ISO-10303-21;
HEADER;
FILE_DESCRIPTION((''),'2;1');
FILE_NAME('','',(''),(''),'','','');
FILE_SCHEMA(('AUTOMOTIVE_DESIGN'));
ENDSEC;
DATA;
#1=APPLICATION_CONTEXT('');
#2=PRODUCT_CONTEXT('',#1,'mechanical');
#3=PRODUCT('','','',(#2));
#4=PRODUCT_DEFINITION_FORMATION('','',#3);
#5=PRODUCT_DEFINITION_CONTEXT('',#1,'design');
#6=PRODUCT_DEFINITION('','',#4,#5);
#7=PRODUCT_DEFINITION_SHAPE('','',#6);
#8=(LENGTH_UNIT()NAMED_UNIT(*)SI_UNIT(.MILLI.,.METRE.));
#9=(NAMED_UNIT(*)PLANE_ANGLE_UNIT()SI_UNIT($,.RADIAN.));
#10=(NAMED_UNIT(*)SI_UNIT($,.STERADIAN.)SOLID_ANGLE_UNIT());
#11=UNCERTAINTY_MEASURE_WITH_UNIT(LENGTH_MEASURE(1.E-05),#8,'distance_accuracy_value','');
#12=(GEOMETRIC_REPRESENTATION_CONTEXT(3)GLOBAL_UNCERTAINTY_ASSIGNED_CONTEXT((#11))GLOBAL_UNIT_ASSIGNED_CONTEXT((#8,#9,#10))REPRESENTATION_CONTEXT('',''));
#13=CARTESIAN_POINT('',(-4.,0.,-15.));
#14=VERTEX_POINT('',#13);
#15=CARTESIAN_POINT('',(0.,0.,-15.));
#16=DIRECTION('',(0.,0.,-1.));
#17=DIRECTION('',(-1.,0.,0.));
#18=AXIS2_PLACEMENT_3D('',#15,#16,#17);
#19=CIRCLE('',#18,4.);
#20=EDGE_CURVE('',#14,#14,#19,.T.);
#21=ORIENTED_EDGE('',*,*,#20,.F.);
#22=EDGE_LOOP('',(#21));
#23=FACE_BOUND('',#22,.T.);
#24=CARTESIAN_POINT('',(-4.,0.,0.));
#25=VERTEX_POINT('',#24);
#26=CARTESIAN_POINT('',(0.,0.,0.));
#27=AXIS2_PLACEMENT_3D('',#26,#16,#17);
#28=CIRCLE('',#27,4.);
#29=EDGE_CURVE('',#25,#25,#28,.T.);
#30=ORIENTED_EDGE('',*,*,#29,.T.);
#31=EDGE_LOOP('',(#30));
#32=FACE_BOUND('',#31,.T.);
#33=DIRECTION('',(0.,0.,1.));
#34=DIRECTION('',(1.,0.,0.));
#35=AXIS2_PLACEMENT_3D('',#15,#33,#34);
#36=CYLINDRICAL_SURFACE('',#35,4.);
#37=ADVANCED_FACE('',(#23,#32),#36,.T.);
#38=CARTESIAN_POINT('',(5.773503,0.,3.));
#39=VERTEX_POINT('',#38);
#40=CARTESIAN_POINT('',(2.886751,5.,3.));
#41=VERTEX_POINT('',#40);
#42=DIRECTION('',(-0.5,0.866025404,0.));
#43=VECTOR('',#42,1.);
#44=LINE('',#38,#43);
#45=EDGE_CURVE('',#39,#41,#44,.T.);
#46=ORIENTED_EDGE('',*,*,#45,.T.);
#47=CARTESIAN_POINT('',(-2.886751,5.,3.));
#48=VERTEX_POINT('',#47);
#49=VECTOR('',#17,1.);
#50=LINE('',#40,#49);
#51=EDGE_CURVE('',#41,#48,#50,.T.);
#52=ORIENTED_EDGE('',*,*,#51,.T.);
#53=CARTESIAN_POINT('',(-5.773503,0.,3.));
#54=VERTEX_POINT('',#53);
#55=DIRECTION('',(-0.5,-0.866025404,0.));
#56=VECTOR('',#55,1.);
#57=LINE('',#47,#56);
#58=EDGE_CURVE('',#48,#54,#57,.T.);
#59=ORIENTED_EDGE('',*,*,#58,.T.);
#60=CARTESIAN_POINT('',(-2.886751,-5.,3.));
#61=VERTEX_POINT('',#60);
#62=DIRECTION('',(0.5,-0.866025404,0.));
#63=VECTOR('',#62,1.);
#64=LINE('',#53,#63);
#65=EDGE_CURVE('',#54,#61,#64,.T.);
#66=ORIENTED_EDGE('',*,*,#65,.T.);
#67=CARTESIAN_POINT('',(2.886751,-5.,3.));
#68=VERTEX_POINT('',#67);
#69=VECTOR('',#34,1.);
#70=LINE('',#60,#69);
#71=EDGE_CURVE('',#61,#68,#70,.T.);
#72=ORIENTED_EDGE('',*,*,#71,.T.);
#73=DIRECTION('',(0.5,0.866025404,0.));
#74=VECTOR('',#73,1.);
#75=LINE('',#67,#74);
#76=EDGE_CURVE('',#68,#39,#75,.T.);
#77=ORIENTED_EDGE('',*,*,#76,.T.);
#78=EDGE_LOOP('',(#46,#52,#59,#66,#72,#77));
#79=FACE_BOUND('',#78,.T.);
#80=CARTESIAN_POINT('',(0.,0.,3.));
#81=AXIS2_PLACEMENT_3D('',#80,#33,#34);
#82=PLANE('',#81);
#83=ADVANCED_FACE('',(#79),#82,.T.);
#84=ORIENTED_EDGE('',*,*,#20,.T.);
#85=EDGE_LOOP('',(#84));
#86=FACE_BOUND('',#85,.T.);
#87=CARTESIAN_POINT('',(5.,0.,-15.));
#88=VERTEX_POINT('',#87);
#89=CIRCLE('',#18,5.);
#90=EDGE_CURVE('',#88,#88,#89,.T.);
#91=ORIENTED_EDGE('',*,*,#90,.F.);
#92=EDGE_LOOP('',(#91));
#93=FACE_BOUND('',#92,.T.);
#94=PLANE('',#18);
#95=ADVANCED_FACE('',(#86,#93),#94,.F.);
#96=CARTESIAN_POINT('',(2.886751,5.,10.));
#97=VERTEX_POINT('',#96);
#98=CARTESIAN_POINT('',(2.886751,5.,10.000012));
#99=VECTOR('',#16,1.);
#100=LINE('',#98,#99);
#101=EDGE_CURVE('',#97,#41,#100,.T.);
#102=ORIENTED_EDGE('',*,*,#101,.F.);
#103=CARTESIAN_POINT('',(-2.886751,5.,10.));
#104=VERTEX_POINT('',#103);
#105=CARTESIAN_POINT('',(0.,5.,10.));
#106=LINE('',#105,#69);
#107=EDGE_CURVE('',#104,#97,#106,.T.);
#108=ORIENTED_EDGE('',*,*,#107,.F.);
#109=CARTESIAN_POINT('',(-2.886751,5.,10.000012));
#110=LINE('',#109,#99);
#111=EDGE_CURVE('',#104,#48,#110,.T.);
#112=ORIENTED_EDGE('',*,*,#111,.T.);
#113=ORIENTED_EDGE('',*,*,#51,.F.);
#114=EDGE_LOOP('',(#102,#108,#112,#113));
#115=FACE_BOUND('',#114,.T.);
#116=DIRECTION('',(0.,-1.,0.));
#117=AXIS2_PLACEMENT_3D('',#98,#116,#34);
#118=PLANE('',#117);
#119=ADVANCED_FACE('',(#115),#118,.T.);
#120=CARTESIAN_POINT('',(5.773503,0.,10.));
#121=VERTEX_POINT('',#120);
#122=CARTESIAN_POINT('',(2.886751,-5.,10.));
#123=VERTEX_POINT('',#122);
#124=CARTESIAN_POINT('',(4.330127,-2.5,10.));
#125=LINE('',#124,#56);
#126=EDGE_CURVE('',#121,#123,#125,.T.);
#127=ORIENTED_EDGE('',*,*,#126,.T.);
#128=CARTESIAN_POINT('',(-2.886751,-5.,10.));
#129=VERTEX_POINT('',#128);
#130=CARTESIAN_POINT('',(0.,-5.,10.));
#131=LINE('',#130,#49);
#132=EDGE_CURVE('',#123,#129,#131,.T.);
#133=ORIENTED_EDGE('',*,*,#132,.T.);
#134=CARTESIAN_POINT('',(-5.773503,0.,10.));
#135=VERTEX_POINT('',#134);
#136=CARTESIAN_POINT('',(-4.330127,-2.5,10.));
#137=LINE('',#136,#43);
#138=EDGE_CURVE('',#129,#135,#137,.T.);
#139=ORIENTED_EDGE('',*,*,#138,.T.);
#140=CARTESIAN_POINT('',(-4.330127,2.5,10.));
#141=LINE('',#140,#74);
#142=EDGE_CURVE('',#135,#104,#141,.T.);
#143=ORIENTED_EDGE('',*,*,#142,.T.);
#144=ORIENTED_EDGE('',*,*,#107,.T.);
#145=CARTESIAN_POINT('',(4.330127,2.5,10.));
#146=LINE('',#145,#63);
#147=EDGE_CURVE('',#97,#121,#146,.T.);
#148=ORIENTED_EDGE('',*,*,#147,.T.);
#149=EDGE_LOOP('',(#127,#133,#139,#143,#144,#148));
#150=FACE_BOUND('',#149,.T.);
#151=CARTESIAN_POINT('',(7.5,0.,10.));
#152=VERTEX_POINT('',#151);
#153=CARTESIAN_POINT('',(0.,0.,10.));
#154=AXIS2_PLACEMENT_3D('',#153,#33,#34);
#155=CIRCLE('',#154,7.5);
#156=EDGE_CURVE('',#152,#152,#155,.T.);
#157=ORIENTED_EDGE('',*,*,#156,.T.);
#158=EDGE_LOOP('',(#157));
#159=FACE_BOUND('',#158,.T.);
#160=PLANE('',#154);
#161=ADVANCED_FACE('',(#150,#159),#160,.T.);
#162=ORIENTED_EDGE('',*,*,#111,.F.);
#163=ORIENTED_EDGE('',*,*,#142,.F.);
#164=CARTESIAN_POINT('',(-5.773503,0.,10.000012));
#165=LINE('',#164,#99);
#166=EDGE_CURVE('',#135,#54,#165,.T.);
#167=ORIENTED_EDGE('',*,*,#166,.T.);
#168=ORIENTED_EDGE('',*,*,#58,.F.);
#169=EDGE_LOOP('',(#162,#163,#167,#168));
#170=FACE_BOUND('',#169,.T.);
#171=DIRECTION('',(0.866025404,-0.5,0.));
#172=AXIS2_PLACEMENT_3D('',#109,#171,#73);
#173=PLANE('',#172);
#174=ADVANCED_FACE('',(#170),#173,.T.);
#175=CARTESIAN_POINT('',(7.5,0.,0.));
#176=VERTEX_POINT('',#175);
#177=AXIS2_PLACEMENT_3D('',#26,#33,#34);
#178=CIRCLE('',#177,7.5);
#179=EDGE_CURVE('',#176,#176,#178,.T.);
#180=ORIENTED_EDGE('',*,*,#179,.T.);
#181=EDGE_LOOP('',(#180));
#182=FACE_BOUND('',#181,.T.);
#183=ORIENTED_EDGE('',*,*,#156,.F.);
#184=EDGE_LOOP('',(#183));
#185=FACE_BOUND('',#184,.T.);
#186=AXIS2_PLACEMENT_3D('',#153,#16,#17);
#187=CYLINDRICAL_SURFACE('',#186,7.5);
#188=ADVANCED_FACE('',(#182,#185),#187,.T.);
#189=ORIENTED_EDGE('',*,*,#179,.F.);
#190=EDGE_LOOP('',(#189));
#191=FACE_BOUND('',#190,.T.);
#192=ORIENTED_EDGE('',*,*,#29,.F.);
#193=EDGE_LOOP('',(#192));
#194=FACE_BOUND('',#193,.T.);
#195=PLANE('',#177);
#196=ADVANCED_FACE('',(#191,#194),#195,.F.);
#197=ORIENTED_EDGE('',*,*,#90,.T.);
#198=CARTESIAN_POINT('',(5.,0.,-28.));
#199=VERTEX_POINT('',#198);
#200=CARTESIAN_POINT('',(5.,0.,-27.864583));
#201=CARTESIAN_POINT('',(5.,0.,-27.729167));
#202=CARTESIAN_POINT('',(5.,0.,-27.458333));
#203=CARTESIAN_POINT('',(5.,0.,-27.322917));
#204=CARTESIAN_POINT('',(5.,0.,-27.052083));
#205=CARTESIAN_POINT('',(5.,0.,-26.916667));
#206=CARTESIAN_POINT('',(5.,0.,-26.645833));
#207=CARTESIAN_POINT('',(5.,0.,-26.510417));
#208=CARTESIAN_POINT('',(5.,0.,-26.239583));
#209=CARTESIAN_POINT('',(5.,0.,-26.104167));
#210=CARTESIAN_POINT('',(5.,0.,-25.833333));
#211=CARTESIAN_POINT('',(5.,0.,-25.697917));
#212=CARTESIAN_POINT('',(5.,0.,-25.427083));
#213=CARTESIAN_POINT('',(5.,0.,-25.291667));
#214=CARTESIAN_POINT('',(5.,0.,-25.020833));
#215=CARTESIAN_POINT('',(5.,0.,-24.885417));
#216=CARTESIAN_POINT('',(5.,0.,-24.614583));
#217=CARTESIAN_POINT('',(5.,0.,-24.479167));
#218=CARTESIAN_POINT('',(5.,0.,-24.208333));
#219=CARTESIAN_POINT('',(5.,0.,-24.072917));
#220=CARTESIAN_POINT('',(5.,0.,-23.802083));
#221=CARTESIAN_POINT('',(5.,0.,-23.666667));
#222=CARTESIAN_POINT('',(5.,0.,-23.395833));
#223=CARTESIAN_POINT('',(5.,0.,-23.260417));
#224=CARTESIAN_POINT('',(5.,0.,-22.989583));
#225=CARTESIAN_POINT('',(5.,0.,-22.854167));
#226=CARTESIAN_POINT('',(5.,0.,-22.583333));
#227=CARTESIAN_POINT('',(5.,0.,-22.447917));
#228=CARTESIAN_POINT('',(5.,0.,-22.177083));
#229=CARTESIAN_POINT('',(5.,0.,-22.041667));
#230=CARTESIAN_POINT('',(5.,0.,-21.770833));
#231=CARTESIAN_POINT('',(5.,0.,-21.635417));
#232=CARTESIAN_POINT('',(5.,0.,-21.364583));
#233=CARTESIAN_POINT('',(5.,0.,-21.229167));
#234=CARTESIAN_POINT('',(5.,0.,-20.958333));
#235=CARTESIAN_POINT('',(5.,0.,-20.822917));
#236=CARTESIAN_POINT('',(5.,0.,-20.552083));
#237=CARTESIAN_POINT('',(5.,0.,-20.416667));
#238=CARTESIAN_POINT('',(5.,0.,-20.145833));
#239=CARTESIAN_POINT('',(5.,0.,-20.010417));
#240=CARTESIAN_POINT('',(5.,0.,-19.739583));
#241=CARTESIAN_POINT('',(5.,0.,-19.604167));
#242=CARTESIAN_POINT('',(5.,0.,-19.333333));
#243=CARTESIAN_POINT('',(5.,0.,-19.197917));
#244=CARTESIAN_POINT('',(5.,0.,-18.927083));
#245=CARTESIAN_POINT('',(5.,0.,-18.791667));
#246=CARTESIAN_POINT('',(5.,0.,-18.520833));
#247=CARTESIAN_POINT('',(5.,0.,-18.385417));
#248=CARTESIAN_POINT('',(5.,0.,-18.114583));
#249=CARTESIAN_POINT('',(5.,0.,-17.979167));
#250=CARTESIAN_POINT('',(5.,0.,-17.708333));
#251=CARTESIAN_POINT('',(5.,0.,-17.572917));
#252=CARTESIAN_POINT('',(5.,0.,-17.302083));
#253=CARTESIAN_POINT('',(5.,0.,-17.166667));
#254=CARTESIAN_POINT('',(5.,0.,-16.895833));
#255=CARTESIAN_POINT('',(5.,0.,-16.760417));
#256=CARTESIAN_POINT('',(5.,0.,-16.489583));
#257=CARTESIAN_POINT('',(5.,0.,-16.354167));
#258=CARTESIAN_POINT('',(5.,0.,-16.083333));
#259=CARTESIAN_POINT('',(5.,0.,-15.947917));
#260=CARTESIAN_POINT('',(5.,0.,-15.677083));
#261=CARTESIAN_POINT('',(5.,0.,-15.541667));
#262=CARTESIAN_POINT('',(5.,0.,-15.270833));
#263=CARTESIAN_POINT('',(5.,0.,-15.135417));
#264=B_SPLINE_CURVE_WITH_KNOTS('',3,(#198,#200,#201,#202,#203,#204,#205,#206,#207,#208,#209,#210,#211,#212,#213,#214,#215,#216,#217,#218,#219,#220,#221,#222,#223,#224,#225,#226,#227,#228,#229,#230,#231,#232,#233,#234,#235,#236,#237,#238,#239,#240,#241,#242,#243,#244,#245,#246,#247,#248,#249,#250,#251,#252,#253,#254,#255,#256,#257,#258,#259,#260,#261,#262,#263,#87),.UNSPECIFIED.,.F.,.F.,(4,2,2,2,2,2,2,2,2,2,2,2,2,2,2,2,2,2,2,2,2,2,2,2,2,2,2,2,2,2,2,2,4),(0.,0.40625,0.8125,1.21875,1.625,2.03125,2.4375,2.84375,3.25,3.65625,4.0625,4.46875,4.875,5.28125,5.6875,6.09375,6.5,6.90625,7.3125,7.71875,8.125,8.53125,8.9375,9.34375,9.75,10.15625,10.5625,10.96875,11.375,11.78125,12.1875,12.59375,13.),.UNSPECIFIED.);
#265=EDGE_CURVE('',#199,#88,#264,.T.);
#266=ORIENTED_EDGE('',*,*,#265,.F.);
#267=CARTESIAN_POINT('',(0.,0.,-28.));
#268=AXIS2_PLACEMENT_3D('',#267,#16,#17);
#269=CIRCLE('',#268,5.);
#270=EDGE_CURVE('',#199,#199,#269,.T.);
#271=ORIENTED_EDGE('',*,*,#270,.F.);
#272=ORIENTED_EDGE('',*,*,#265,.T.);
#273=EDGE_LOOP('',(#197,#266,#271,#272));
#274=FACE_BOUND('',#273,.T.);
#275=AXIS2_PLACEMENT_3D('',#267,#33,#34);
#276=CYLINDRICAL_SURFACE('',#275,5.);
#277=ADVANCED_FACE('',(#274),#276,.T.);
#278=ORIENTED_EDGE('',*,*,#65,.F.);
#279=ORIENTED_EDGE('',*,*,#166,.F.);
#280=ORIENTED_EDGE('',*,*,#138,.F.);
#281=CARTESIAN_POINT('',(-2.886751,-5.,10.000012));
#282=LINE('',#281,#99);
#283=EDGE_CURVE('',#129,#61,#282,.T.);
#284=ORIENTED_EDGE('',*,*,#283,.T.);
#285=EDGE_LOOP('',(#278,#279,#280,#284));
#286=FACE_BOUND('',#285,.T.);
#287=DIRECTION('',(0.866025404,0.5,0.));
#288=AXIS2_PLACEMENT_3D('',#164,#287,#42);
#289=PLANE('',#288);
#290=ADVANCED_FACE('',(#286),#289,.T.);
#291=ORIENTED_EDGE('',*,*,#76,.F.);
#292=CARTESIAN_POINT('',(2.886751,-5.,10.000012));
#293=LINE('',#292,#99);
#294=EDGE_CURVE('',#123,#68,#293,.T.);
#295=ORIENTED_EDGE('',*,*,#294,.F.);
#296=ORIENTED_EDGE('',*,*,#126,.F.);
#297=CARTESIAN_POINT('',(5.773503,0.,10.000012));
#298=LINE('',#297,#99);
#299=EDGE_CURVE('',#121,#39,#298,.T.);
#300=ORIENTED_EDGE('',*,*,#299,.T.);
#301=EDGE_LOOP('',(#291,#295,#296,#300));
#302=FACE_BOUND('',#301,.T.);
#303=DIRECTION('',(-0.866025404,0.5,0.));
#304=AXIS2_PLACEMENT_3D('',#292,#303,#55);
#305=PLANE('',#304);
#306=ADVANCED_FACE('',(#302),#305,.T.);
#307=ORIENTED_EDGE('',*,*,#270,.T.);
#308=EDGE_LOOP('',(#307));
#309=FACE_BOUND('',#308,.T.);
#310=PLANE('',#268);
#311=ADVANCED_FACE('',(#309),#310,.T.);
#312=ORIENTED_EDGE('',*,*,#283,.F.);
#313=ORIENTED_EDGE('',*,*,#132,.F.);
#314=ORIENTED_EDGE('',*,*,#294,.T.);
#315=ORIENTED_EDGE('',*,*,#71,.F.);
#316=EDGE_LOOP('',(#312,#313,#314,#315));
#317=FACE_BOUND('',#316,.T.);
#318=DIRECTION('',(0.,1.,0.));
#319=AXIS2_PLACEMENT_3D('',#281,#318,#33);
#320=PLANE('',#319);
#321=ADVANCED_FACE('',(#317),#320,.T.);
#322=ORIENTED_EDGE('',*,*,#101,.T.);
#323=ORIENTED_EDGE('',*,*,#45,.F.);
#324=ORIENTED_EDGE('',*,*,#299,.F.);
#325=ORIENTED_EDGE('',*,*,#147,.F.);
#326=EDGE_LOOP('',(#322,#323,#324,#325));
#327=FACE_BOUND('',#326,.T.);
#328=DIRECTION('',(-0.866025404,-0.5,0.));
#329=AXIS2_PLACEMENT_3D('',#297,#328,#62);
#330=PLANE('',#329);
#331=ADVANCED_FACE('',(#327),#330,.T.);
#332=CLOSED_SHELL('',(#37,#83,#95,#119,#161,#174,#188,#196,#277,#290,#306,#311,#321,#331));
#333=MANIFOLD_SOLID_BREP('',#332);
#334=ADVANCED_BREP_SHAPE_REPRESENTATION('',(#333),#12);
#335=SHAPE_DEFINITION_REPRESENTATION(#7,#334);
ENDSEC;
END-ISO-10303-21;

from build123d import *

# Parameters (mm, degrees)
SKETCH1_R               = 7.5
BOSS_EXTRUDE1_DEPTH     = 10
SKETCH2_R               = 4
BOSS_EXTRUDE2_DEPTH     = 15
SKETCH3_R               = 5
BOSS_EXTRUDE3_DEPTH     = 13
CUT_EXTRUDE1_DEPTH      = 40.452503089
CUT_EXTRUDE1_DEPTH_BACK = 7


with BuildPart() as part:
    # Sketch1 → Boss-Extrude1 (new body)
    with BuildSketch(Plane.XY):
        Circle(SKETCH1_R)
    extrude(amount=BOSS_EXTRUDE1_DEPTH)

    # Sketch2 → Boss-Extrude2 (add)
    with BuildSketch(Plane(origin=(0, 0, 0), x_dir=(-1, 0, 0), z_dir=(0, 0, -1))):
        Circle(SKETCH2_R)
    extrude(amount=BOSS_EXTRUDE2_DEPTH)

    # Sketch3 → Boss-Extrude3 (add)
    with BuildSketch(Plane(origin=(0, 0, -15), x_dir=(-1, 0, 0), z_dir=(0, 0, -1))):
        with Locations(Location((0, 0, 0), (0, 0, 180))):
            Circle(SKETCH3_R)
    extrude(amount=BOSS_EXTRUDE3_DEPTH)

    # Sketch4 → Cut-Extrude1 (cut, two sides: drawn at the far end of the back side and taken through both)
    with BuildSketch(Plane.XY.offset(10).offset(-CUT_EXTRUDE1_DEPTH_BACK)):
        Polygon((5.773502692, 0), (2.886751346, 5), (-2.886751346, 5), (-5.773502692, 0), (-2.886751346, -5), (2.886751346, -5), align=None)
    extrude(amount=CUT_EXTRUDE1_DEPTH + CUT_EXTRUDE1_DEPTH_BACK, mode=Mode.SUBTRACT)


solid = part.part
